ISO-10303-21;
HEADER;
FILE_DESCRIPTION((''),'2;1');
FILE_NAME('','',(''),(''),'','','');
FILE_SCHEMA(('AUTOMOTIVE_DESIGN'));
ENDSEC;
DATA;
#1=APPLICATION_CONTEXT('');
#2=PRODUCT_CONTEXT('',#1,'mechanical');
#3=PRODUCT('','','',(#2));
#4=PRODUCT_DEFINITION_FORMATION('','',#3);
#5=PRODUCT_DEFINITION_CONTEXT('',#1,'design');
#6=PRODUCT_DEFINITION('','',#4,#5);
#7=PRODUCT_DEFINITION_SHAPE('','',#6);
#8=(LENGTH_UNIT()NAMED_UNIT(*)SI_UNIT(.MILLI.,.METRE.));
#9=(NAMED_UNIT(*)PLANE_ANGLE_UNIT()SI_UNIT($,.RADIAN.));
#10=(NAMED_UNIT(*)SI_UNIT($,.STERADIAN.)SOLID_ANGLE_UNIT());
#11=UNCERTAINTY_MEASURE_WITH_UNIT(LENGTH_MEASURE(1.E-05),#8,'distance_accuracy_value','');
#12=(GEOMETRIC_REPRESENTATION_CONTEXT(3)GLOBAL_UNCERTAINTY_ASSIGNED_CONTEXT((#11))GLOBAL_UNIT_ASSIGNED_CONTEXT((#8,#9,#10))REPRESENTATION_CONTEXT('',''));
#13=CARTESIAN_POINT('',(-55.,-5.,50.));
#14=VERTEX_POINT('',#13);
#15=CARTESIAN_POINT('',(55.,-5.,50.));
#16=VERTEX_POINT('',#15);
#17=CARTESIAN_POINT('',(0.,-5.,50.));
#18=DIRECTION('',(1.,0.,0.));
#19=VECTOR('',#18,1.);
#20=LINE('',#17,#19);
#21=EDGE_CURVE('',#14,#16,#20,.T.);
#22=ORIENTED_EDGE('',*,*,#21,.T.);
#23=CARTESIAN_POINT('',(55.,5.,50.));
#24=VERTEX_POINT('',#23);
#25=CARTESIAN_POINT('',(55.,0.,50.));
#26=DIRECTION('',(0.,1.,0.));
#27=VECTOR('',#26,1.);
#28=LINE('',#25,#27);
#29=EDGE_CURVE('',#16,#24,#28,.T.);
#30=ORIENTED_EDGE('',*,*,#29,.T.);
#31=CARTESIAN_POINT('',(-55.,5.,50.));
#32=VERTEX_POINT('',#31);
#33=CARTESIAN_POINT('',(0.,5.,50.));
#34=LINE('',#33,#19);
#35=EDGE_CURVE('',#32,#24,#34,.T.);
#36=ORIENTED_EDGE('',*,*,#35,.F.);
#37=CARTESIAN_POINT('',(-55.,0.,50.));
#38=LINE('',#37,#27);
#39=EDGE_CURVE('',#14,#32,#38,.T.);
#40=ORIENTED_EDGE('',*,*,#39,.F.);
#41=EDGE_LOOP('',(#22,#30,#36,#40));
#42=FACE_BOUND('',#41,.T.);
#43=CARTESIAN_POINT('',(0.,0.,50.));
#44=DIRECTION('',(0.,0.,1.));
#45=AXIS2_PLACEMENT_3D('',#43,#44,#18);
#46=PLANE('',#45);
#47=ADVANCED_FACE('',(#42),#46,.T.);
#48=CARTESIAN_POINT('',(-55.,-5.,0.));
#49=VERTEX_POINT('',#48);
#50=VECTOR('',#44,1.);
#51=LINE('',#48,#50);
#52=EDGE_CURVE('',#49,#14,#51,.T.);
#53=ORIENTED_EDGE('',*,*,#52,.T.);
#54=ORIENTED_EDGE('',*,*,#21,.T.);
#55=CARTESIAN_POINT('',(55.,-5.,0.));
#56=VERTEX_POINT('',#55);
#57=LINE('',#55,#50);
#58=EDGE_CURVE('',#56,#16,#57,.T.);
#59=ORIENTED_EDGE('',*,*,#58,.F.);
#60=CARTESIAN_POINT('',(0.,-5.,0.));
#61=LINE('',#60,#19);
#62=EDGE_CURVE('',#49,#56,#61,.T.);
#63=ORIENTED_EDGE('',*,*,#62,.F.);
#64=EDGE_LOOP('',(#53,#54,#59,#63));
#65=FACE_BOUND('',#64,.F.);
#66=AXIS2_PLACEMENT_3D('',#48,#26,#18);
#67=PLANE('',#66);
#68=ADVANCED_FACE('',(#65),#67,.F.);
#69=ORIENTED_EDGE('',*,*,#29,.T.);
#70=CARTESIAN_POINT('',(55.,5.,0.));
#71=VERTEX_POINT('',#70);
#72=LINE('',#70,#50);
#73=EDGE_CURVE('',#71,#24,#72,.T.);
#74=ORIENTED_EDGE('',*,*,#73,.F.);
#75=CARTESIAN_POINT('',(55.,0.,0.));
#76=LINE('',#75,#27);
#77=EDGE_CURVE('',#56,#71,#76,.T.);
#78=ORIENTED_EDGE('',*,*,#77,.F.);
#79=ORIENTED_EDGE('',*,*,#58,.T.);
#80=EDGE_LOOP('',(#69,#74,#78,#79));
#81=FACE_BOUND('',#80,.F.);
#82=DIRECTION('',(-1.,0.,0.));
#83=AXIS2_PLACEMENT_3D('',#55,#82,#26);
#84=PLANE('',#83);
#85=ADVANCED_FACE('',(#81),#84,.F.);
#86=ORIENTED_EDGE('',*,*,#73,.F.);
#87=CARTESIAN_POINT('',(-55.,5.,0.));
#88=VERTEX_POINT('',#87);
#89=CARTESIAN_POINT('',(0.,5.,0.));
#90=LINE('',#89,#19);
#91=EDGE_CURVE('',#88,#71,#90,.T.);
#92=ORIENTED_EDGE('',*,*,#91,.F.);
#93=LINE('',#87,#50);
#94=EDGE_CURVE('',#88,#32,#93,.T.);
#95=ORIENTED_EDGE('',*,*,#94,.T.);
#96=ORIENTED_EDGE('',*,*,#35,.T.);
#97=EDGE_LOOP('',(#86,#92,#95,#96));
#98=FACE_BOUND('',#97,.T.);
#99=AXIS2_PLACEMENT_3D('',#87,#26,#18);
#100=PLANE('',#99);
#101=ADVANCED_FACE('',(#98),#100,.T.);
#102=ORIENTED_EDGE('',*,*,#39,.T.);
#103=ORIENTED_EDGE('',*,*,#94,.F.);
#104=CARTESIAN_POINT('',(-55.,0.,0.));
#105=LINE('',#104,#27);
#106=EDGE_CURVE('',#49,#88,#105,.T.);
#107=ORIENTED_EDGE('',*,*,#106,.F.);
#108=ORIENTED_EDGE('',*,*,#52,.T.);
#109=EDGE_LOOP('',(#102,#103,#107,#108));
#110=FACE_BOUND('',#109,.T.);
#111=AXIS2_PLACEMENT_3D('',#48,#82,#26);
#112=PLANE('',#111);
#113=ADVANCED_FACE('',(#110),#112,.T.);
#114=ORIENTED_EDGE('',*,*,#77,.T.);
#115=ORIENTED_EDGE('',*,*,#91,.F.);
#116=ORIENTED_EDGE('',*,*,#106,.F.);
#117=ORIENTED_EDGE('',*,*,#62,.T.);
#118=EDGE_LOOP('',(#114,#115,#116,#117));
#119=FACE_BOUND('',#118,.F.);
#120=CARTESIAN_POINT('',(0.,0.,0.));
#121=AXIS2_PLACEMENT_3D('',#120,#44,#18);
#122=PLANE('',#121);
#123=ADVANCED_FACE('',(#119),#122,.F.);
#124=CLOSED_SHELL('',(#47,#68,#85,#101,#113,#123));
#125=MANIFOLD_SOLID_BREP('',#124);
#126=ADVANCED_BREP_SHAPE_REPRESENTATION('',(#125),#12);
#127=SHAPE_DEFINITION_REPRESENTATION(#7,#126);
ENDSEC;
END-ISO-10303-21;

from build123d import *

# Parameters (mm, degrees)
SKETCH_W      = 110
SKETCH_H      = 10
EXTRUDE_DEPTH = 50


with BuildPart() as part:
    # Sketch → Extrude (new body)
    with BuildSketch(Plane.XY):
        Rectangle(SKETCH_W, SKETCH_H)
    extrude(amount=EXTRUDE_DEPTH)


solid = part.part
